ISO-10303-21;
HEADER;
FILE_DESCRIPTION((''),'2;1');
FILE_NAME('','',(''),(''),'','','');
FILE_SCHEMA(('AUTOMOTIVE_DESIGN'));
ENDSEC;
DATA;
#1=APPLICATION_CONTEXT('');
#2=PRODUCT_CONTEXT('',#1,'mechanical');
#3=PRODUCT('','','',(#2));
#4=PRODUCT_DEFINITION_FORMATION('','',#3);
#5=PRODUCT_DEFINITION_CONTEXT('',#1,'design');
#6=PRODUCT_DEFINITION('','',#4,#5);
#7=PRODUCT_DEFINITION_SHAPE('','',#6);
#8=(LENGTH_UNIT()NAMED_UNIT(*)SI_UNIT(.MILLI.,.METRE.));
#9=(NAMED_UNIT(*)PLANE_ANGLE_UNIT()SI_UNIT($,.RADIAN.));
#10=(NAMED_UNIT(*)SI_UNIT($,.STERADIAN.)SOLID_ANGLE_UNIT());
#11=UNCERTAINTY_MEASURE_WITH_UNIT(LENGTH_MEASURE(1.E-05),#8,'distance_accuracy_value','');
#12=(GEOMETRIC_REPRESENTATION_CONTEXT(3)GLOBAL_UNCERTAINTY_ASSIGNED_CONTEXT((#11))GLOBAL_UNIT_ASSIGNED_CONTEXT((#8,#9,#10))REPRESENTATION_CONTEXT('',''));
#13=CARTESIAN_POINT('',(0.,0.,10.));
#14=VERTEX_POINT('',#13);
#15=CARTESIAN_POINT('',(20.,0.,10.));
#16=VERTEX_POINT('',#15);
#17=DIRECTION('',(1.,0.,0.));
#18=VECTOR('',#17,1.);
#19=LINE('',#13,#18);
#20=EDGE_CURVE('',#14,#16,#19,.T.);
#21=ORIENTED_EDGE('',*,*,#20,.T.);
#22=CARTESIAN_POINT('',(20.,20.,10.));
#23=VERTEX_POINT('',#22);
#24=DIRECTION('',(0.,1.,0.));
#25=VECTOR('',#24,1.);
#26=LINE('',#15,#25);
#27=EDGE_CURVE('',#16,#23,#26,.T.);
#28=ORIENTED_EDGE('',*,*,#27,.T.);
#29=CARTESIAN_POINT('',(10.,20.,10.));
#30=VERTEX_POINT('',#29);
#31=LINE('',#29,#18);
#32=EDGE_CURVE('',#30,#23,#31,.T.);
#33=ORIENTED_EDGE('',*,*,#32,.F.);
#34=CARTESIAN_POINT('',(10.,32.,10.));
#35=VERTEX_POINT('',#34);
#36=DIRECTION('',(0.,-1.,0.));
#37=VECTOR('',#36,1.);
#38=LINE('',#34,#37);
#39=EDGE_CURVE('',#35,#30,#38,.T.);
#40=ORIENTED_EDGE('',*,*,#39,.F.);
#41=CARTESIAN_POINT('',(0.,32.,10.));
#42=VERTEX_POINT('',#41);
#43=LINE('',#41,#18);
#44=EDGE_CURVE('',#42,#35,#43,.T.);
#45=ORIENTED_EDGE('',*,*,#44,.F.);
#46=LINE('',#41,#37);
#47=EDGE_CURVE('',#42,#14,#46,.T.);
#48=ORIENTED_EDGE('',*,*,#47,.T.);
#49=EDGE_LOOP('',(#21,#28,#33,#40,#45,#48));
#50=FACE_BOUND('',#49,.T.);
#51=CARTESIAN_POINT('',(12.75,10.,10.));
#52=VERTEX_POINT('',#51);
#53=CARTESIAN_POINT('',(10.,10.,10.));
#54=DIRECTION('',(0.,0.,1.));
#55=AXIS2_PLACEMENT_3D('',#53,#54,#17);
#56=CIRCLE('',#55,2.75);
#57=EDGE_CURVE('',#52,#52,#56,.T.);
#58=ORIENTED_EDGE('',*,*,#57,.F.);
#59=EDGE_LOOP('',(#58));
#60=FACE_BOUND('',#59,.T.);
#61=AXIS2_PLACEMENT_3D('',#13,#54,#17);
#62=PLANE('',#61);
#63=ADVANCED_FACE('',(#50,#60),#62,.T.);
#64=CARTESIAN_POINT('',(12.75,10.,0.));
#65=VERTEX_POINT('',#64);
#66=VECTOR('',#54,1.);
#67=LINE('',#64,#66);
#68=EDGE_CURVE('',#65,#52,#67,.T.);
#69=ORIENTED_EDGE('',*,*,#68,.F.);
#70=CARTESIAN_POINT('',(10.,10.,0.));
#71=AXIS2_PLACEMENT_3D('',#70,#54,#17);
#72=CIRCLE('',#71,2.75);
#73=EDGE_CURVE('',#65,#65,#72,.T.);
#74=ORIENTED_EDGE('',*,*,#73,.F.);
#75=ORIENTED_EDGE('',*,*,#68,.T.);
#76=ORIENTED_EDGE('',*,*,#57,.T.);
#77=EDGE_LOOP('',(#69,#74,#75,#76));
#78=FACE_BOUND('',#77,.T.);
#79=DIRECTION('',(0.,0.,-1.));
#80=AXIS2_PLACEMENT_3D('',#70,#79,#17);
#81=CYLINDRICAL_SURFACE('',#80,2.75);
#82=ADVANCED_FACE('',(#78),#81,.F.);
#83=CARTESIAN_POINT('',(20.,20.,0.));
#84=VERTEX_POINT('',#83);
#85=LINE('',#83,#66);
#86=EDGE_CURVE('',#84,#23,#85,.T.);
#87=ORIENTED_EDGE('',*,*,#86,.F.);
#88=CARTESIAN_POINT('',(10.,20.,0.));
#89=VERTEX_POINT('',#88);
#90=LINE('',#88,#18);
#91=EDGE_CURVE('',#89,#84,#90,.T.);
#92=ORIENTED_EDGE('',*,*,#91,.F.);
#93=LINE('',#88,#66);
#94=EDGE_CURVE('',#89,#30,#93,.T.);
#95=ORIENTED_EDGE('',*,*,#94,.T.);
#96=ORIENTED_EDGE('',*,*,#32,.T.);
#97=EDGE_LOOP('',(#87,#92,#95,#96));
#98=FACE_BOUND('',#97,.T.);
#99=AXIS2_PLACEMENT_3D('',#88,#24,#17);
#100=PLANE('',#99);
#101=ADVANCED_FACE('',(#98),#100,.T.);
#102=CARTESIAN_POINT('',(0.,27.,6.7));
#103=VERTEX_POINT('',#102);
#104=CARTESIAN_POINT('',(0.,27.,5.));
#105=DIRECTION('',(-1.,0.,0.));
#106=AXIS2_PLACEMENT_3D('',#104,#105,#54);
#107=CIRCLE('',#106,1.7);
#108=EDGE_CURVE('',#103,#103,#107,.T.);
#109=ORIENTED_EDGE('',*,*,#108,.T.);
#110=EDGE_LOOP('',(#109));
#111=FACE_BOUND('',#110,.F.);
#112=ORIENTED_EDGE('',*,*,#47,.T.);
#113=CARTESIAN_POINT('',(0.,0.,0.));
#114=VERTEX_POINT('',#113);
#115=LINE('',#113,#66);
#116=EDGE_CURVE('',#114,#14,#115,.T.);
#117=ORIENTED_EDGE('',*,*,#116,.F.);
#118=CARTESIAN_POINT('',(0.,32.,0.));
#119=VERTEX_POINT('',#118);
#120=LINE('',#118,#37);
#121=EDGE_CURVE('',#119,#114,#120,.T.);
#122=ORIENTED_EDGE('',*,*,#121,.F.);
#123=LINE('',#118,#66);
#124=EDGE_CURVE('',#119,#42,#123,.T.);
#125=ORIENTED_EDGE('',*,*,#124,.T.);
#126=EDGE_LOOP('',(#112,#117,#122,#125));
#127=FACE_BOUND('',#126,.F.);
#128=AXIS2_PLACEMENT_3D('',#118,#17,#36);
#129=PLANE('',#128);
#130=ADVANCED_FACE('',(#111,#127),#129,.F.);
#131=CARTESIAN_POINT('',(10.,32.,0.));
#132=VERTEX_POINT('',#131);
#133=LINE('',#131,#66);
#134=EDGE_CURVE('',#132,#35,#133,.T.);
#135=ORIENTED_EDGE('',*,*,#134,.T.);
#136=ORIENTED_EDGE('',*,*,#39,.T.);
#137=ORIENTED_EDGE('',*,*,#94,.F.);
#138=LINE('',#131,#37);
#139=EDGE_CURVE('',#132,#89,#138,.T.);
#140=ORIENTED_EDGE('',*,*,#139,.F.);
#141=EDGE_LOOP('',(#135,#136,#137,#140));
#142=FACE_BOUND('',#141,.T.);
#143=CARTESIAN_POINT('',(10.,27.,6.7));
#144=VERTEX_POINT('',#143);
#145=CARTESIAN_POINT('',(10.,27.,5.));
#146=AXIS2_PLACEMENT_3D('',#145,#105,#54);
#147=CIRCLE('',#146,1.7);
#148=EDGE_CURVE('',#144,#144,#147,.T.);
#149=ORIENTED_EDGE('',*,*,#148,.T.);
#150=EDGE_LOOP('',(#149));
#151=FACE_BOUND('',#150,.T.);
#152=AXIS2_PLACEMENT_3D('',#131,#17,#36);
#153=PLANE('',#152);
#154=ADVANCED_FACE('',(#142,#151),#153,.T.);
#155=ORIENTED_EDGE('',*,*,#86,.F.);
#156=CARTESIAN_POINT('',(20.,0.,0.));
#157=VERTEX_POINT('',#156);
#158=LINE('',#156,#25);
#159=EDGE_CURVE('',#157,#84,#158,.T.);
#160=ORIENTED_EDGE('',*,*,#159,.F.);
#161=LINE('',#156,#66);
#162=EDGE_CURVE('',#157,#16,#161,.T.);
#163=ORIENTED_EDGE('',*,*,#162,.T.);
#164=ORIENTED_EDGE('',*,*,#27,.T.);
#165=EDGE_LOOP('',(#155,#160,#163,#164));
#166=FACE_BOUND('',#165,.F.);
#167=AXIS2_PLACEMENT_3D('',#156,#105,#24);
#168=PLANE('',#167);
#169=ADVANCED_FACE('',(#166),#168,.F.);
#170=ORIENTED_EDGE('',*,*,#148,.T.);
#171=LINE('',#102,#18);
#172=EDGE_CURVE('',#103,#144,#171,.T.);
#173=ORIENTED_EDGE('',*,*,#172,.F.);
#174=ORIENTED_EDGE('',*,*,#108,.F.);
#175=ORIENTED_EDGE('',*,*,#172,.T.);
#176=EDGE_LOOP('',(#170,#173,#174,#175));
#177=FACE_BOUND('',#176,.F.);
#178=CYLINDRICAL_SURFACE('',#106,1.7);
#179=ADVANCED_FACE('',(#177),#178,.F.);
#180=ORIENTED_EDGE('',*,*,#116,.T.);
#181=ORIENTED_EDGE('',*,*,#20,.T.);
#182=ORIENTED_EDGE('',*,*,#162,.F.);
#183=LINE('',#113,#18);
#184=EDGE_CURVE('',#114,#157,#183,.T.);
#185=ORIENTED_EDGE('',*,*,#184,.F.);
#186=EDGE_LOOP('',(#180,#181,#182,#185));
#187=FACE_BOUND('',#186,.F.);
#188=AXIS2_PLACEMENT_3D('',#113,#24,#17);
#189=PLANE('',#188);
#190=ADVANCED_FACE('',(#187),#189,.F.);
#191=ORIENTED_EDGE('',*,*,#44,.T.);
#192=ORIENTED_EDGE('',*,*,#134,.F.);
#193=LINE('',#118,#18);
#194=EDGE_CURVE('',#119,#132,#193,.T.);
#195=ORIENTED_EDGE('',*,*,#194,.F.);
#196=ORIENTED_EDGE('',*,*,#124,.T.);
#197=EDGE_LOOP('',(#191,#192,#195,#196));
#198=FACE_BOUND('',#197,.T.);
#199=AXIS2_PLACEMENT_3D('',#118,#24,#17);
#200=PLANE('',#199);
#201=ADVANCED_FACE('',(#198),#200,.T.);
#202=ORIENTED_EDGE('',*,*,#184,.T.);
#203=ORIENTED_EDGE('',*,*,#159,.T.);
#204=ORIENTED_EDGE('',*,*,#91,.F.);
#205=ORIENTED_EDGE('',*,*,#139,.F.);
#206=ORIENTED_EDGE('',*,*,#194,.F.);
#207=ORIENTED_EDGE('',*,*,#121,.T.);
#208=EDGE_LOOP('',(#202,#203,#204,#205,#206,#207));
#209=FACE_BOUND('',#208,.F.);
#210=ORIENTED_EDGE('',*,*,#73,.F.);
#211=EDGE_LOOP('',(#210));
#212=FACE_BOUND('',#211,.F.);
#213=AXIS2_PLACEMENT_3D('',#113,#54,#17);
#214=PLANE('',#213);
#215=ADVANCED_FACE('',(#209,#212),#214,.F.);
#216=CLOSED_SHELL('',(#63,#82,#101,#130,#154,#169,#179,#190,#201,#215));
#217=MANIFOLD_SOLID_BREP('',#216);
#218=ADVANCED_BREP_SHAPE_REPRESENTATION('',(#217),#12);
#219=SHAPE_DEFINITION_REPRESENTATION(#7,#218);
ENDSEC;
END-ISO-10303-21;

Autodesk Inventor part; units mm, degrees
ref_plane "YZ Plane" through (0, 0, 0) normal (1, 0, 0) x (0, 1, 0)
ref_plane "XZ Plane" through (0, 0, 0) normal (0, 1, 0) x (-1, 0, 0)
ref_plane "XY Plane" through (0, 0, 0) normal (0, 0, 1) x (1, 0, 0)
sketch "スケッチ4" plane through (0, 0, 0) normal (0, 0, 1) x (1, 0, 0)
  line L0 (0, 0) -> (20, 0)
  line L1 (20, 0) -> (20, 20)
  line L2 (0, 32) -> (0, 0)
  line L3 (0, 32) -> (10, 32)
  line L4 (10, 32) -> (10, 20)
  line L5 (10, 20) -> (20, 20)
  line L6 (10, 0) -> (10, 7.8024) construction
  circle A0 centre (10, 10) radius 2.75
  dimension "d19" = 20
  dimension "d20" = 32
  dimension "d21" = 12
  dimension "d22" = 10
  dimension "d24" = 5.5
  dimension "d25" = 10
extrude "押し出し4" add sketch "スケッチ4" along normal blind 10
sketch "スケッチ5" plane through (0, 0, 0) normal (-1, 0, 0) x (0, 0, 1)
  line L0 (0, 32) -> (10, 32) projected
  line L1 (5, 32) -> (5, 27) construction
  circle A0 centre (5, 27) radius 1.7
  point P0 (0, 0)
  dimension "d28" = 3.4
  dimension "d29" = 5
extrude "押し出し5" cut sketch "スケッチ5" against normal blind 10
properties part number "pixymount1"
